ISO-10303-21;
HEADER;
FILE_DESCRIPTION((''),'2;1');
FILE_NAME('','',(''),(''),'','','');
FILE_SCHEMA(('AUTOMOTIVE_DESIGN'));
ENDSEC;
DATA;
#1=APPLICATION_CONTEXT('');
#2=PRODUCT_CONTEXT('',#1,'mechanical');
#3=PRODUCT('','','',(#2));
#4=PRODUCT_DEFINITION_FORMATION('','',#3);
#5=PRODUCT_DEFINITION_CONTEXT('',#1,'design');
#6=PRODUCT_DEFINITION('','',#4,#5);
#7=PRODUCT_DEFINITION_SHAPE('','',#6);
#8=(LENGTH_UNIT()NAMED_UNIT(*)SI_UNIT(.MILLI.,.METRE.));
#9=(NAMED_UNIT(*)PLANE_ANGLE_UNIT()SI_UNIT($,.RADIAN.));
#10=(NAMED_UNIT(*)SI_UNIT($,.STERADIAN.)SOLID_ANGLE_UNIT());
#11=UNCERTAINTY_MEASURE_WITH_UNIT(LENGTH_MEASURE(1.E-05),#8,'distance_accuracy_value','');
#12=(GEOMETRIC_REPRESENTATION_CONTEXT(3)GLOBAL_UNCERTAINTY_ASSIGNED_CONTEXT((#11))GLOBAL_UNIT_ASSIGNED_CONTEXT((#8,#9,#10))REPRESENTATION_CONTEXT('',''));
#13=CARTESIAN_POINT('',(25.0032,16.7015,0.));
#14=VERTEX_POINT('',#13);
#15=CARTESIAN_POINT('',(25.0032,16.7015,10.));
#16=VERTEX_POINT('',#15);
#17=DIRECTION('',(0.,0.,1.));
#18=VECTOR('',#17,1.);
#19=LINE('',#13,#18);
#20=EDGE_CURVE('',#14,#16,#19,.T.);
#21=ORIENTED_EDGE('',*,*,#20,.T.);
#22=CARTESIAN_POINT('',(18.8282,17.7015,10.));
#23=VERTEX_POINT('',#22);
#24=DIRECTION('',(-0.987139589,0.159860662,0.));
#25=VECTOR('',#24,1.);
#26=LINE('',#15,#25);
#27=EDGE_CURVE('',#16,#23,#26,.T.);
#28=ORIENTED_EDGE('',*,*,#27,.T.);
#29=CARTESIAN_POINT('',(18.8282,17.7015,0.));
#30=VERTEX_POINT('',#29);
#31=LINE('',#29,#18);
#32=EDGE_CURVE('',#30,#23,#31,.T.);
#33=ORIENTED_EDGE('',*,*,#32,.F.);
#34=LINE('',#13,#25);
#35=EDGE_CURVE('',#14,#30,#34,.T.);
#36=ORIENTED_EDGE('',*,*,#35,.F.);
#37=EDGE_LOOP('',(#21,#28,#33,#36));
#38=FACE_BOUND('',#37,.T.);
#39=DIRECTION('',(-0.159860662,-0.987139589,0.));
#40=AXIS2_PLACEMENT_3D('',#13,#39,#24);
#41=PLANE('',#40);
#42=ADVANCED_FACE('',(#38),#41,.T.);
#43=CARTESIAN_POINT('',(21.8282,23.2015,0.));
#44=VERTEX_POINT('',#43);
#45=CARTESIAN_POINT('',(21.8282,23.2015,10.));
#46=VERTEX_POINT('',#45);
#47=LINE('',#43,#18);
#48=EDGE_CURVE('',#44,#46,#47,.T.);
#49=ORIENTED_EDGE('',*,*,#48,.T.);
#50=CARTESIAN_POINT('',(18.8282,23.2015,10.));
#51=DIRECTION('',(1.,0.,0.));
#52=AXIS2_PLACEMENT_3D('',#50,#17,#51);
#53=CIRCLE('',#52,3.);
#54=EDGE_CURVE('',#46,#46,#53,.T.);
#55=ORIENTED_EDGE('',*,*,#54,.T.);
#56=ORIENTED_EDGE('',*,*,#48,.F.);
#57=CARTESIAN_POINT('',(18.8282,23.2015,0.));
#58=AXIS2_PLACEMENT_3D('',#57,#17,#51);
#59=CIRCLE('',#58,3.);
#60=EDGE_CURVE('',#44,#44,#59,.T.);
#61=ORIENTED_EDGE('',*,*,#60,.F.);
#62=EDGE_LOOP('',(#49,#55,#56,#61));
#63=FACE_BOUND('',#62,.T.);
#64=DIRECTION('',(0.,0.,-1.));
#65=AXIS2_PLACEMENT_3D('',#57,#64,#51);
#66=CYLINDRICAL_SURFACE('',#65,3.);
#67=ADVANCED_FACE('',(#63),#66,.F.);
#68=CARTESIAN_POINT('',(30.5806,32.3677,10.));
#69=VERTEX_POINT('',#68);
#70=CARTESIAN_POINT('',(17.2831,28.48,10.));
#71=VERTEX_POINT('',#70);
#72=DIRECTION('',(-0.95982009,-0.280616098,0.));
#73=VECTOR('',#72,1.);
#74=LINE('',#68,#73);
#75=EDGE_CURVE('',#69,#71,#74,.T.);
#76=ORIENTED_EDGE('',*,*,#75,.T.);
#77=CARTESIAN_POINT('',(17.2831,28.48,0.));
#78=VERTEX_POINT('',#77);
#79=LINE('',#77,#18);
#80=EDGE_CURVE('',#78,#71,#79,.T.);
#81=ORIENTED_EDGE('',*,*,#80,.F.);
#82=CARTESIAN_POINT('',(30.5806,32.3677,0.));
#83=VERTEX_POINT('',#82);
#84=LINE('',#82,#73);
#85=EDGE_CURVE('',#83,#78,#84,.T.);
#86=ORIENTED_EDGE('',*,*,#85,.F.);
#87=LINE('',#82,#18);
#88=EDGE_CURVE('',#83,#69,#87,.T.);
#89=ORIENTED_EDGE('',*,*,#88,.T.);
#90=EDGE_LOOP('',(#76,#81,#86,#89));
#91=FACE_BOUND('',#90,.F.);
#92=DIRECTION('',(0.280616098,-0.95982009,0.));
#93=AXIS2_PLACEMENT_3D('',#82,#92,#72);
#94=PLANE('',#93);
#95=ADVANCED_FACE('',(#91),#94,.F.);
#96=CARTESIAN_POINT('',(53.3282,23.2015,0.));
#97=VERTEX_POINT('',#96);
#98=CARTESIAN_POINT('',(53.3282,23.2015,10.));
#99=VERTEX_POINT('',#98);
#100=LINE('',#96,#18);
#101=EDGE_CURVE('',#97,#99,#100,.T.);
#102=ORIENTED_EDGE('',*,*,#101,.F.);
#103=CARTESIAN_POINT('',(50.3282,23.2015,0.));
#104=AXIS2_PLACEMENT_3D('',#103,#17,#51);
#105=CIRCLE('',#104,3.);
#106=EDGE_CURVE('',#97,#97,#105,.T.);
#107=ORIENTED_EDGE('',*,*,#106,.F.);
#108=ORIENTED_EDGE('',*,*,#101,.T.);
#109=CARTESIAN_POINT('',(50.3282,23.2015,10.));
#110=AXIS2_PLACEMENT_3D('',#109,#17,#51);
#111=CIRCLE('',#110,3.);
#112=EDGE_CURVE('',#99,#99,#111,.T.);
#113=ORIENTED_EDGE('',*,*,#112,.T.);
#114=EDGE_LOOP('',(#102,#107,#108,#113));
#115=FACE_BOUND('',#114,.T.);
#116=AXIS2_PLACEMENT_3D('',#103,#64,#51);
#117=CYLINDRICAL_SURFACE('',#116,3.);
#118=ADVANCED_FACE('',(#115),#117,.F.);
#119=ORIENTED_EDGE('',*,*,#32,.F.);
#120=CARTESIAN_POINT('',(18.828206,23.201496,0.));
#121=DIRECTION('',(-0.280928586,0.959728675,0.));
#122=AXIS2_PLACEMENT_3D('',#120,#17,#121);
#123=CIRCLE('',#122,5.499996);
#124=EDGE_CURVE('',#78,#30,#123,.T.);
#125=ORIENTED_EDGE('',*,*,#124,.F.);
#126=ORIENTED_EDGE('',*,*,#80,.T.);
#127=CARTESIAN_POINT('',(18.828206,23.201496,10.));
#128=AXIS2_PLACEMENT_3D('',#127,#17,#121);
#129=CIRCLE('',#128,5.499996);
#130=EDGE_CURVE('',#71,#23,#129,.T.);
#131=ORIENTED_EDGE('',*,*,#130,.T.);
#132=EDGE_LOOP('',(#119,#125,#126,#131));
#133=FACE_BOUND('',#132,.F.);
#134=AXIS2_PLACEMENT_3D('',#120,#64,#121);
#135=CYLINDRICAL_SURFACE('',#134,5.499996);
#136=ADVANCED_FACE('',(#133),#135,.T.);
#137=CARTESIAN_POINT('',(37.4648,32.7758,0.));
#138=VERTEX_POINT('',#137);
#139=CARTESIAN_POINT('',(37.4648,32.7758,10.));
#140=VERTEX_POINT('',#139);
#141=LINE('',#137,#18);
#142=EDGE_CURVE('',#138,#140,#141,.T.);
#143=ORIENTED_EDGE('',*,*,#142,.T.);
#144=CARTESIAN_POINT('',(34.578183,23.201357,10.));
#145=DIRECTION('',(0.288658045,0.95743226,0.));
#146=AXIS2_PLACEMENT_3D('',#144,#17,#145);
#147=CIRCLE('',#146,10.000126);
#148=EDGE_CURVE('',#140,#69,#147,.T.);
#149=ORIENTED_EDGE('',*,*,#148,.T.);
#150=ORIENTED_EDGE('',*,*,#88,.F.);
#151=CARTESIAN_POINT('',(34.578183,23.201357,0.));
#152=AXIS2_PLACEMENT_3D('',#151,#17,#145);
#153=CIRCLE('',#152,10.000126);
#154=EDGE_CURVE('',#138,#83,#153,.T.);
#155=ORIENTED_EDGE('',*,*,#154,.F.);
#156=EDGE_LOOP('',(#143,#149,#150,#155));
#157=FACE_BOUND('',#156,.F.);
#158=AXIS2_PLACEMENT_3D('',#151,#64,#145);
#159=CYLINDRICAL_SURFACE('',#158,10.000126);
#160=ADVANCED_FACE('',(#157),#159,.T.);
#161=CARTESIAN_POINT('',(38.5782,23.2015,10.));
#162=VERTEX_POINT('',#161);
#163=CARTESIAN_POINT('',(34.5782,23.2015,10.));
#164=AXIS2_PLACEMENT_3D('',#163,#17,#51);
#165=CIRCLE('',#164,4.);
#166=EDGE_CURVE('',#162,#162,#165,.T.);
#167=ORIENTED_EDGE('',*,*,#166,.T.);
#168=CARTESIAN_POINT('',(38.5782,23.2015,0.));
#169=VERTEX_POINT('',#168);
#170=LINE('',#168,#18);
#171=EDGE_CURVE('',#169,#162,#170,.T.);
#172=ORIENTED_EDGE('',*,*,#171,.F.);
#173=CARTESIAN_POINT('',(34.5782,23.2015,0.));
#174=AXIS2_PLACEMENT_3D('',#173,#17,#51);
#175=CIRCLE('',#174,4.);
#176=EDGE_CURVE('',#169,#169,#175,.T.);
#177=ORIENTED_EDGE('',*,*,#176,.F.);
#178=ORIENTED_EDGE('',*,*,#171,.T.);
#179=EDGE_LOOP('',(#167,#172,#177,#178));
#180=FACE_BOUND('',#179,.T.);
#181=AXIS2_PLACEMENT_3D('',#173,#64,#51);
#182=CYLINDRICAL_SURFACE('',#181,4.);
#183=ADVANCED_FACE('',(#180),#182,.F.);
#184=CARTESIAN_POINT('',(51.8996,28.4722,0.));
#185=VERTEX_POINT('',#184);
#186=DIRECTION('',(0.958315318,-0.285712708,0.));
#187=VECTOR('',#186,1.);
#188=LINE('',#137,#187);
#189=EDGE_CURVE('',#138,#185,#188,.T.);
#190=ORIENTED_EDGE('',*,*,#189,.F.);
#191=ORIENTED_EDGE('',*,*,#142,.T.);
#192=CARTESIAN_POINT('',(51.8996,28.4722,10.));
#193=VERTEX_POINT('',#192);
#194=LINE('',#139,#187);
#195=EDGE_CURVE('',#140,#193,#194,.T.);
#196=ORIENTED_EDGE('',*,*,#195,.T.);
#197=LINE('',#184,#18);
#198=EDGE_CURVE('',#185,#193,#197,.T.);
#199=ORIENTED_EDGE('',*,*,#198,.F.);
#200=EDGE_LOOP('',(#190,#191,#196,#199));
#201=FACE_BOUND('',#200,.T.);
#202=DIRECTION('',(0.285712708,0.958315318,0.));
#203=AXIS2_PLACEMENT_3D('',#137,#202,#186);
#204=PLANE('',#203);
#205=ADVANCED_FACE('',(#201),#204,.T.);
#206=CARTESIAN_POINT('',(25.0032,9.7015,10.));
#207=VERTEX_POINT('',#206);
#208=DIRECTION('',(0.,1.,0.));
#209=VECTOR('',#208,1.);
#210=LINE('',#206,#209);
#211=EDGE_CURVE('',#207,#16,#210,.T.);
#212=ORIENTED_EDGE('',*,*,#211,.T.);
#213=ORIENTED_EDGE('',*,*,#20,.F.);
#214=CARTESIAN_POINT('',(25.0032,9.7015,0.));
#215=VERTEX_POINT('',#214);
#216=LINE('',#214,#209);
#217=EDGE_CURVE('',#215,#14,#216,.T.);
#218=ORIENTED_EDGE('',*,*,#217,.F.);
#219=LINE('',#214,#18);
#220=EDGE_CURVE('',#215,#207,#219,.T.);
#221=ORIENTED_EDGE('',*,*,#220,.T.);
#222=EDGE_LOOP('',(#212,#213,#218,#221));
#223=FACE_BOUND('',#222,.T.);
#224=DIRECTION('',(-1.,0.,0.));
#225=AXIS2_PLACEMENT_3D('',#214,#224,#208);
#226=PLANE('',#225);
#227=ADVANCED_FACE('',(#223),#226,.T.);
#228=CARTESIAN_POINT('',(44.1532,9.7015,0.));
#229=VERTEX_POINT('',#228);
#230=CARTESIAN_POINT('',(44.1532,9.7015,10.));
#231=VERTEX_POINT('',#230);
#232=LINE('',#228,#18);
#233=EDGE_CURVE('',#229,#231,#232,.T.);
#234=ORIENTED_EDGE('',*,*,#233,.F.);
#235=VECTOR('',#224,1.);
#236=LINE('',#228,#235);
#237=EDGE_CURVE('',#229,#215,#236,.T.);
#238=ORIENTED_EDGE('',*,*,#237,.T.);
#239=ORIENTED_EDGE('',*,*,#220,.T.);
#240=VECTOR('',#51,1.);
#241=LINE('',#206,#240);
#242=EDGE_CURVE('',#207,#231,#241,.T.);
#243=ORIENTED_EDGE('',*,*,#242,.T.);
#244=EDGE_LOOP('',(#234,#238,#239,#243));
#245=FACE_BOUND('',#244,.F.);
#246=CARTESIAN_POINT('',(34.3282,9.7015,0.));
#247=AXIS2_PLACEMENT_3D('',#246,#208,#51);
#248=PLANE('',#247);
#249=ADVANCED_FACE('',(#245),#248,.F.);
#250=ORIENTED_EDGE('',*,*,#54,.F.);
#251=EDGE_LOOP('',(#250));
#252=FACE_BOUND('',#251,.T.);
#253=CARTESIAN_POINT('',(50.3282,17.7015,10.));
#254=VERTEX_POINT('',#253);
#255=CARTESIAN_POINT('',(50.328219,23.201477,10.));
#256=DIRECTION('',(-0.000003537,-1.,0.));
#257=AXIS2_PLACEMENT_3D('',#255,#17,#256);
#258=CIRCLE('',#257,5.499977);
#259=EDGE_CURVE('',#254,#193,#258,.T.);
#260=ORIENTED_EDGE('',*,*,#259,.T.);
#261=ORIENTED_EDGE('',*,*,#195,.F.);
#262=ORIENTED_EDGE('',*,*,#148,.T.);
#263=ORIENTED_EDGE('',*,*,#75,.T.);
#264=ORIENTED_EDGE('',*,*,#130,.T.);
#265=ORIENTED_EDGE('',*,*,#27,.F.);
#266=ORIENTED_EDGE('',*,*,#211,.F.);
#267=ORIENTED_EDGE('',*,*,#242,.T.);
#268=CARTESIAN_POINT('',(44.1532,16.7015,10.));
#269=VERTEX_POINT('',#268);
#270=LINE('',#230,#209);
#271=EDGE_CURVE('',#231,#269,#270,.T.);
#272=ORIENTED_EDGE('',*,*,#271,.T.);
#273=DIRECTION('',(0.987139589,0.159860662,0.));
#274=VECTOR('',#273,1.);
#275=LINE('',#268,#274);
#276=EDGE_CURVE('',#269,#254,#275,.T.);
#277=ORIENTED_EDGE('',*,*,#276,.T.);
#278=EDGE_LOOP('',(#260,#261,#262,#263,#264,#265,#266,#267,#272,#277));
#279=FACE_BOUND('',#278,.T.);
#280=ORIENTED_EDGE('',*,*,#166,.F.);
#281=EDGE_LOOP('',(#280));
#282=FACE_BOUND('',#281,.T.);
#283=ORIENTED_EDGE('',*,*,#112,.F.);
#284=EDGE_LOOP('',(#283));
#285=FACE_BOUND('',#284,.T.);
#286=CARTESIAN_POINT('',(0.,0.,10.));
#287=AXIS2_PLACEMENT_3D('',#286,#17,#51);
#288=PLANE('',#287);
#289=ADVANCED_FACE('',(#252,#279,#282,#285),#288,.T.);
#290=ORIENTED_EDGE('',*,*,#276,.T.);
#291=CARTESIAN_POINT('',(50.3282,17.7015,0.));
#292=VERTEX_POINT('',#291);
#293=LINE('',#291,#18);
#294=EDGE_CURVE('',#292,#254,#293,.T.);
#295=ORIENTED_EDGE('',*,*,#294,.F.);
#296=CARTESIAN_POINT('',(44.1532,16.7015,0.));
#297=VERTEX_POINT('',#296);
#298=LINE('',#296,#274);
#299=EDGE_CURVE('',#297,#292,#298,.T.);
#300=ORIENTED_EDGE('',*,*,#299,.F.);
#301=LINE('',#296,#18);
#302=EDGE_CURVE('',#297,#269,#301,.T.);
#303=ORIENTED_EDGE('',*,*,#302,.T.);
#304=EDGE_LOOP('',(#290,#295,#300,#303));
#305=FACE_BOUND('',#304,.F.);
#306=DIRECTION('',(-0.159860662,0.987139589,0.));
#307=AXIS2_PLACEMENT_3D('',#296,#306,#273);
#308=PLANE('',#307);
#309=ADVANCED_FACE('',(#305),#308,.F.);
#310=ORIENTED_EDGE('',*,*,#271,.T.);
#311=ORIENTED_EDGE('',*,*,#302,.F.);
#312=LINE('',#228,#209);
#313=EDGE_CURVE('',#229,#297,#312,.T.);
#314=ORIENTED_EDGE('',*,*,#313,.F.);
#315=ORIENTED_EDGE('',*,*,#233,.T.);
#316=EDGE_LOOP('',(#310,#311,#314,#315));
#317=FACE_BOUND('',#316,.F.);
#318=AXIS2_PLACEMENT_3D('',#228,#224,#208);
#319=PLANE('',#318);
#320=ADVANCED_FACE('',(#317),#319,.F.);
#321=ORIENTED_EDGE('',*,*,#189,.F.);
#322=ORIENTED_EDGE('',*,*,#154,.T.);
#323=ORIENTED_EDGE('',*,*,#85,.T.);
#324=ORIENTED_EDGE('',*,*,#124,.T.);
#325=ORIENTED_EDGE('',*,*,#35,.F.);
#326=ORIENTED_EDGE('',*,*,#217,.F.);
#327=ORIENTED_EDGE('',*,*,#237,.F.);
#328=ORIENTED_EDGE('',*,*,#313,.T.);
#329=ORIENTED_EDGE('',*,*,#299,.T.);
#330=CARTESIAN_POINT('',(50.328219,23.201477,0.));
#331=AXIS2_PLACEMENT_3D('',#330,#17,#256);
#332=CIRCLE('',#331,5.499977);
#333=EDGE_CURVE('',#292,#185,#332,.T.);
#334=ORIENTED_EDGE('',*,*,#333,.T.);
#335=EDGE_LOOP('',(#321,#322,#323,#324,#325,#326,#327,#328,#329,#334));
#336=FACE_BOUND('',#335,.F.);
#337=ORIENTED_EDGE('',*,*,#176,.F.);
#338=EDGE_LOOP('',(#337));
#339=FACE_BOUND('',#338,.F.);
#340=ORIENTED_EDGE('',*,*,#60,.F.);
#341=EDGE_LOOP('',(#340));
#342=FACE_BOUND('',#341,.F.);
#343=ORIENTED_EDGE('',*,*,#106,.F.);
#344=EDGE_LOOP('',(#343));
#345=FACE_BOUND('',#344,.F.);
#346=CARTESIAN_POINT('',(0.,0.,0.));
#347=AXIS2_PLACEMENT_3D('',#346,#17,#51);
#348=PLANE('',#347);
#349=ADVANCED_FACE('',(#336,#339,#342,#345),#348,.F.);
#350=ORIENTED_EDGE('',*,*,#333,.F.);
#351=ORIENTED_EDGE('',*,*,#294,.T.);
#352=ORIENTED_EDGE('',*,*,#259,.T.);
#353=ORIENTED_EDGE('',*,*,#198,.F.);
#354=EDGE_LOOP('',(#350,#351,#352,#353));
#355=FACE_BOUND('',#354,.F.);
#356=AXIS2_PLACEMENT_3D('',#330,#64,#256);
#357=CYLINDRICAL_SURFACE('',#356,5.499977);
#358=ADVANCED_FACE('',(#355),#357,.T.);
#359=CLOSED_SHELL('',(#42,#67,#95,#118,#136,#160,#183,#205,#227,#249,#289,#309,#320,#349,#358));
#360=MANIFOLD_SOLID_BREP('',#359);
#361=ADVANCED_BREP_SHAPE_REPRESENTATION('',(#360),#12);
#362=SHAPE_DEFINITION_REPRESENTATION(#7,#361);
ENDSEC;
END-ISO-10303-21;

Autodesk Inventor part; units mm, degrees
ref_plane "YZ Plane" through (0, 0, 0) normal (1, 0, 0) x (0, 1, 0)
ref_plane "XZ Plane" through (0, 0, 0) normal (0, 1, 0) x (-1, 0, 0)
ref_plane "XY Plane" through (0, 0, 0) normal (0, 0, 1) x (1, 0, 0)
sketch "Sketch1" plane through (0, 0, 0) normal (0, 0, 1) x (1, 0, 0)
  circle A0 centre (50.3282, 23.2015) radius 3
  circle A1 centre (18.8282, 23.2015) radius 3
  circle A2 centre (34.5782, 23.2015) radius 4
  arc A3 (37.4648, 32.7758) -> (30.5806, 32.3677) centre (34.5782, 23.2015) ccw
  arc A4 (50.3282, 17.7015) -> (51.8996, 28.4722) centre (50.3282, 23.2015) ccw
  line L0 (37.4648, 32.7758) -> (51.8996, 28.4722)
  line L1 (34.3282, 9.7015) -> (44.1532, 9.7015)
  line L2 (44.1532, 9.7015) -> (44.1532, 16.7015)
  line L3 (44.1532, 16.7015) -> (50.3282, 17.7015)
  line L4 (30.5806, 32.3677) -> (17.2831, 28.48)
  line L5 (34.3282, 9.7015) -> (25.0032, 9.7015)
  line L6 (25.0032, 9.7015) -> (25.0032, 16.7015)
  line L7 (25.0032, 16.7015) -> (18.8282, 17.7015)
  arc A5 (17.2831, 28.48) -> (18.8282, 17.7015) centre (18.8282, 23.2015) ccw
  circle A6 centre (34.5782, 23.2015) radius 8.7313
  point P0 (0, 0)
  dimension "d0" = 31.5
  dimension "d1" = 6
  dimension "d2" = 8
  dimension "d3" = 15.75
  dimension "d4" = 20
  dimension "d5" = 11
  dimension "d7" = 9.825
  dimension "d8" = 7
  dimension "d9" = 11
  dimension "d12" = 17.4625
  dimension "d14" = 0
extrude "Extrusion1" add sketch "Sketch1" along normal blind 10 contours L0 A4 L3 L2 L1 L5 L6 L7 A5 L4 A3 | A6
properties part number "shaft support"
